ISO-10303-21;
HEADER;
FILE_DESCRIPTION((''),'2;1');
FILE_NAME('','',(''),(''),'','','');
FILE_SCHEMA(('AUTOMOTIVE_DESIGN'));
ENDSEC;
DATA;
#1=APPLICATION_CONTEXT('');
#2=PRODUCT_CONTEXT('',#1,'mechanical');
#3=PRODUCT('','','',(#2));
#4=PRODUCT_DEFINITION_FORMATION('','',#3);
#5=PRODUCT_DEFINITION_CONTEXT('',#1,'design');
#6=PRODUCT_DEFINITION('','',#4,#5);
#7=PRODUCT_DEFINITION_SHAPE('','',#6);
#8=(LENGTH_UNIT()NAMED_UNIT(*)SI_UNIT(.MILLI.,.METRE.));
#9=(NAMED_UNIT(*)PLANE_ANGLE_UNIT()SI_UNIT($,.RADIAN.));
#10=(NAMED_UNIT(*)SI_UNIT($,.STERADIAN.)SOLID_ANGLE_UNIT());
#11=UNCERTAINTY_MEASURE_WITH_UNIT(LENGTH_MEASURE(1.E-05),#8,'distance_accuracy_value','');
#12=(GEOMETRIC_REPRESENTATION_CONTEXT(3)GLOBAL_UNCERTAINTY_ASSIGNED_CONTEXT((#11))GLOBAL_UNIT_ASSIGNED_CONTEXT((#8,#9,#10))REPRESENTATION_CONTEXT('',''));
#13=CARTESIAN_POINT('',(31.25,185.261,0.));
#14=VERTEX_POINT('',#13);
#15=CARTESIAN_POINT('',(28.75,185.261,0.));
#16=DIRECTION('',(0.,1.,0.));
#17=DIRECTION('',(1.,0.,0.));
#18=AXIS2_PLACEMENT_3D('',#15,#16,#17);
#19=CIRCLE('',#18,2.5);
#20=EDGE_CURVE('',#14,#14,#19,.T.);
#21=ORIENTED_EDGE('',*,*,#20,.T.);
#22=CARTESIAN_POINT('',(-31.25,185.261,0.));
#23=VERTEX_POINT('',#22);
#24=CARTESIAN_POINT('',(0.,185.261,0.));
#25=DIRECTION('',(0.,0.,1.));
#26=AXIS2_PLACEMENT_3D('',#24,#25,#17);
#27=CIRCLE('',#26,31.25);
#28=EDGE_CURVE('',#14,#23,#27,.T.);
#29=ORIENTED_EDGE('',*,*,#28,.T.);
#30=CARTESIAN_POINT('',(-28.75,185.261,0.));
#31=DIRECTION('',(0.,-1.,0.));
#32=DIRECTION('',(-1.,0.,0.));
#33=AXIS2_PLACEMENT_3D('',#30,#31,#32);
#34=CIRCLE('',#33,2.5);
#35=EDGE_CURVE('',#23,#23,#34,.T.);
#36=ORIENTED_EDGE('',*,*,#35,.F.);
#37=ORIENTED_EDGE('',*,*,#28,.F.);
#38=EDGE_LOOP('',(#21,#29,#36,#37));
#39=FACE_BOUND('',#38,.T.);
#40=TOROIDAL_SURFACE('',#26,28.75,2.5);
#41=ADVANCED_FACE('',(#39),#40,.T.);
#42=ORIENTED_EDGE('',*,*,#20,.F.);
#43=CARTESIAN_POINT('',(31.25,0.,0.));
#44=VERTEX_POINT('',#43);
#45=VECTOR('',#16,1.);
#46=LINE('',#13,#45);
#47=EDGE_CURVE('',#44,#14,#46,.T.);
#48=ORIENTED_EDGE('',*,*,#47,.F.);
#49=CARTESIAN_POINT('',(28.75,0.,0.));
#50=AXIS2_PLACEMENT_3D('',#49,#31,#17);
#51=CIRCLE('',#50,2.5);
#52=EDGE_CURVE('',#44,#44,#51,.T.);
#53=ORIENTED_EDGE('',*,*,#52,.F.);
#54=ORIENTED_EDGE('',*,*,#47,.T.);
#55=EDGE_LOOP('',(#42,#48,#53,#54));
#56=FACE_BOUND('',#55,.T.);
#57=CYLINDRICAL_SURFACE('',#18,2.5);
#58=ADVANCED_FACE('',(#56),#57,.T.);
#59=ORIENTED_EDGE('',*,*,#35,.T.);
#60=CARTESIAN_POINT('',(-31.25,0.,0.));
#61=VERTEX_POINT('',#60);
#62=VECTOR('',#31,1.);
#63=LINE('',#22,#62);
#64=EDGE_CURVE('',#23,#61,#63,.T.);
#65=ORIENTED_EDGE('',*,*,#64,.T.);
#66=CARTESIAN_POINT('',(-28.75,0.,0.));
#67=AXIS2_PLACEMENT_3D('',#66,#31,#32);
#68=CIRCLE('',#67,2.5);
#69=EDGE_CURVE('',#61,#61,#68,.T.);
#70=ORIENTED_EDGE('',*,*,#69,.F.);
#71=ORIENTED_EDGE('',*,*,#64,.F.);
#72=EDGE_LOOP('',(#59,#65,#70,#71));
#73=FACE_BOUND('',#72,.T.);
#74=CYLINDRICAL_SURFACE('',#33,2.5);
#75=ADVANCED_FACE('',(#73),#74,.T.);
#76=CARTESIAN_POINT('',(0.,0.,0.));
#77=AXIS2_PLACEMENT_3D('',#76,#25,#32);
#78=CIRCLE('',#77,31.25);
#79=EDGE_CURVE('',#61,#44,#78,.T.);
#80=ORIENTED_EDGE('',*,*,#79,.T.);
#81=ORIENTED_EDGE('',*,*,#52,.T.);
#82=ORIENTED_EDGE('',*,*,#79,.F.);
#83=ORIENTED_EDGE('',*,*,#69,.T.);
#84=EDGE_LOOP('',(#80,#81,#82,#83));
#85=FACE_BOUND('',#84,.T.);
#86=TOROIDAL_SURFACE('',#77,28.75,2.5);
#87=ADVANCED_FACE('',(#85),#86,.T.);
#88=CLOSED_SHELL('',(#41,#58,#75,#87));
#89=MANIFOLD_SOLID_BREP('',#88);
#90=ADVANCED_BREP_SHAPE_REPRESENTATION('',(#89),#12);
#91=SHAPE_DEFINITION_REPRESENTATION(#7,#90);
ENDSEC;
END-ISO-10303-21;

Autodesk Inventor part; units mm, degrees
ref_plane "YZ Plane" through (0, 0, 0) normal (1, 0, 0) x (0, 1, 0)
ref_plane "XZ Plane" through (0, 0, 0) normal (0, 1, 0) x (-1, 0, 0)
ref_plane "XY Plane" through (0, 0, 0) normal (0, 0, 1) x (1, 0, 0)
sketch "Boceto1" plane through (0, 0, 0) normal (0, 0, 1) x (1, 0, 0)
  arc A0 (-28.75, 0) -> (28.75, 0) centre (0, 0) ccw
  arc A1 (28.75, 185.261) -> (-28.75, 185.261) centre (0, 185.261) ccw
  line L0 (-28.75, 185.261) -> (-28.75, 0)
  line L1 (28.75, 185.261) -> (28.75, 0)
  dimension "d0" = 185.261
  dimension "d1" = 57.5
  dimension "d2" = 57.5
sketch "Boceto2" plane through (0, 0, 0) normal (0, 1, 0) x (-1, 0, 0)
  circle A0 centre (28.75, 0) radius 2.5
  point P0 (0, 0)
  dimension "d3" = 28.75
  dimension "d4" = 5
sweep "Barrido1" add profiles "Boceto2" path "Boceto1"
properties part number "Polea"
